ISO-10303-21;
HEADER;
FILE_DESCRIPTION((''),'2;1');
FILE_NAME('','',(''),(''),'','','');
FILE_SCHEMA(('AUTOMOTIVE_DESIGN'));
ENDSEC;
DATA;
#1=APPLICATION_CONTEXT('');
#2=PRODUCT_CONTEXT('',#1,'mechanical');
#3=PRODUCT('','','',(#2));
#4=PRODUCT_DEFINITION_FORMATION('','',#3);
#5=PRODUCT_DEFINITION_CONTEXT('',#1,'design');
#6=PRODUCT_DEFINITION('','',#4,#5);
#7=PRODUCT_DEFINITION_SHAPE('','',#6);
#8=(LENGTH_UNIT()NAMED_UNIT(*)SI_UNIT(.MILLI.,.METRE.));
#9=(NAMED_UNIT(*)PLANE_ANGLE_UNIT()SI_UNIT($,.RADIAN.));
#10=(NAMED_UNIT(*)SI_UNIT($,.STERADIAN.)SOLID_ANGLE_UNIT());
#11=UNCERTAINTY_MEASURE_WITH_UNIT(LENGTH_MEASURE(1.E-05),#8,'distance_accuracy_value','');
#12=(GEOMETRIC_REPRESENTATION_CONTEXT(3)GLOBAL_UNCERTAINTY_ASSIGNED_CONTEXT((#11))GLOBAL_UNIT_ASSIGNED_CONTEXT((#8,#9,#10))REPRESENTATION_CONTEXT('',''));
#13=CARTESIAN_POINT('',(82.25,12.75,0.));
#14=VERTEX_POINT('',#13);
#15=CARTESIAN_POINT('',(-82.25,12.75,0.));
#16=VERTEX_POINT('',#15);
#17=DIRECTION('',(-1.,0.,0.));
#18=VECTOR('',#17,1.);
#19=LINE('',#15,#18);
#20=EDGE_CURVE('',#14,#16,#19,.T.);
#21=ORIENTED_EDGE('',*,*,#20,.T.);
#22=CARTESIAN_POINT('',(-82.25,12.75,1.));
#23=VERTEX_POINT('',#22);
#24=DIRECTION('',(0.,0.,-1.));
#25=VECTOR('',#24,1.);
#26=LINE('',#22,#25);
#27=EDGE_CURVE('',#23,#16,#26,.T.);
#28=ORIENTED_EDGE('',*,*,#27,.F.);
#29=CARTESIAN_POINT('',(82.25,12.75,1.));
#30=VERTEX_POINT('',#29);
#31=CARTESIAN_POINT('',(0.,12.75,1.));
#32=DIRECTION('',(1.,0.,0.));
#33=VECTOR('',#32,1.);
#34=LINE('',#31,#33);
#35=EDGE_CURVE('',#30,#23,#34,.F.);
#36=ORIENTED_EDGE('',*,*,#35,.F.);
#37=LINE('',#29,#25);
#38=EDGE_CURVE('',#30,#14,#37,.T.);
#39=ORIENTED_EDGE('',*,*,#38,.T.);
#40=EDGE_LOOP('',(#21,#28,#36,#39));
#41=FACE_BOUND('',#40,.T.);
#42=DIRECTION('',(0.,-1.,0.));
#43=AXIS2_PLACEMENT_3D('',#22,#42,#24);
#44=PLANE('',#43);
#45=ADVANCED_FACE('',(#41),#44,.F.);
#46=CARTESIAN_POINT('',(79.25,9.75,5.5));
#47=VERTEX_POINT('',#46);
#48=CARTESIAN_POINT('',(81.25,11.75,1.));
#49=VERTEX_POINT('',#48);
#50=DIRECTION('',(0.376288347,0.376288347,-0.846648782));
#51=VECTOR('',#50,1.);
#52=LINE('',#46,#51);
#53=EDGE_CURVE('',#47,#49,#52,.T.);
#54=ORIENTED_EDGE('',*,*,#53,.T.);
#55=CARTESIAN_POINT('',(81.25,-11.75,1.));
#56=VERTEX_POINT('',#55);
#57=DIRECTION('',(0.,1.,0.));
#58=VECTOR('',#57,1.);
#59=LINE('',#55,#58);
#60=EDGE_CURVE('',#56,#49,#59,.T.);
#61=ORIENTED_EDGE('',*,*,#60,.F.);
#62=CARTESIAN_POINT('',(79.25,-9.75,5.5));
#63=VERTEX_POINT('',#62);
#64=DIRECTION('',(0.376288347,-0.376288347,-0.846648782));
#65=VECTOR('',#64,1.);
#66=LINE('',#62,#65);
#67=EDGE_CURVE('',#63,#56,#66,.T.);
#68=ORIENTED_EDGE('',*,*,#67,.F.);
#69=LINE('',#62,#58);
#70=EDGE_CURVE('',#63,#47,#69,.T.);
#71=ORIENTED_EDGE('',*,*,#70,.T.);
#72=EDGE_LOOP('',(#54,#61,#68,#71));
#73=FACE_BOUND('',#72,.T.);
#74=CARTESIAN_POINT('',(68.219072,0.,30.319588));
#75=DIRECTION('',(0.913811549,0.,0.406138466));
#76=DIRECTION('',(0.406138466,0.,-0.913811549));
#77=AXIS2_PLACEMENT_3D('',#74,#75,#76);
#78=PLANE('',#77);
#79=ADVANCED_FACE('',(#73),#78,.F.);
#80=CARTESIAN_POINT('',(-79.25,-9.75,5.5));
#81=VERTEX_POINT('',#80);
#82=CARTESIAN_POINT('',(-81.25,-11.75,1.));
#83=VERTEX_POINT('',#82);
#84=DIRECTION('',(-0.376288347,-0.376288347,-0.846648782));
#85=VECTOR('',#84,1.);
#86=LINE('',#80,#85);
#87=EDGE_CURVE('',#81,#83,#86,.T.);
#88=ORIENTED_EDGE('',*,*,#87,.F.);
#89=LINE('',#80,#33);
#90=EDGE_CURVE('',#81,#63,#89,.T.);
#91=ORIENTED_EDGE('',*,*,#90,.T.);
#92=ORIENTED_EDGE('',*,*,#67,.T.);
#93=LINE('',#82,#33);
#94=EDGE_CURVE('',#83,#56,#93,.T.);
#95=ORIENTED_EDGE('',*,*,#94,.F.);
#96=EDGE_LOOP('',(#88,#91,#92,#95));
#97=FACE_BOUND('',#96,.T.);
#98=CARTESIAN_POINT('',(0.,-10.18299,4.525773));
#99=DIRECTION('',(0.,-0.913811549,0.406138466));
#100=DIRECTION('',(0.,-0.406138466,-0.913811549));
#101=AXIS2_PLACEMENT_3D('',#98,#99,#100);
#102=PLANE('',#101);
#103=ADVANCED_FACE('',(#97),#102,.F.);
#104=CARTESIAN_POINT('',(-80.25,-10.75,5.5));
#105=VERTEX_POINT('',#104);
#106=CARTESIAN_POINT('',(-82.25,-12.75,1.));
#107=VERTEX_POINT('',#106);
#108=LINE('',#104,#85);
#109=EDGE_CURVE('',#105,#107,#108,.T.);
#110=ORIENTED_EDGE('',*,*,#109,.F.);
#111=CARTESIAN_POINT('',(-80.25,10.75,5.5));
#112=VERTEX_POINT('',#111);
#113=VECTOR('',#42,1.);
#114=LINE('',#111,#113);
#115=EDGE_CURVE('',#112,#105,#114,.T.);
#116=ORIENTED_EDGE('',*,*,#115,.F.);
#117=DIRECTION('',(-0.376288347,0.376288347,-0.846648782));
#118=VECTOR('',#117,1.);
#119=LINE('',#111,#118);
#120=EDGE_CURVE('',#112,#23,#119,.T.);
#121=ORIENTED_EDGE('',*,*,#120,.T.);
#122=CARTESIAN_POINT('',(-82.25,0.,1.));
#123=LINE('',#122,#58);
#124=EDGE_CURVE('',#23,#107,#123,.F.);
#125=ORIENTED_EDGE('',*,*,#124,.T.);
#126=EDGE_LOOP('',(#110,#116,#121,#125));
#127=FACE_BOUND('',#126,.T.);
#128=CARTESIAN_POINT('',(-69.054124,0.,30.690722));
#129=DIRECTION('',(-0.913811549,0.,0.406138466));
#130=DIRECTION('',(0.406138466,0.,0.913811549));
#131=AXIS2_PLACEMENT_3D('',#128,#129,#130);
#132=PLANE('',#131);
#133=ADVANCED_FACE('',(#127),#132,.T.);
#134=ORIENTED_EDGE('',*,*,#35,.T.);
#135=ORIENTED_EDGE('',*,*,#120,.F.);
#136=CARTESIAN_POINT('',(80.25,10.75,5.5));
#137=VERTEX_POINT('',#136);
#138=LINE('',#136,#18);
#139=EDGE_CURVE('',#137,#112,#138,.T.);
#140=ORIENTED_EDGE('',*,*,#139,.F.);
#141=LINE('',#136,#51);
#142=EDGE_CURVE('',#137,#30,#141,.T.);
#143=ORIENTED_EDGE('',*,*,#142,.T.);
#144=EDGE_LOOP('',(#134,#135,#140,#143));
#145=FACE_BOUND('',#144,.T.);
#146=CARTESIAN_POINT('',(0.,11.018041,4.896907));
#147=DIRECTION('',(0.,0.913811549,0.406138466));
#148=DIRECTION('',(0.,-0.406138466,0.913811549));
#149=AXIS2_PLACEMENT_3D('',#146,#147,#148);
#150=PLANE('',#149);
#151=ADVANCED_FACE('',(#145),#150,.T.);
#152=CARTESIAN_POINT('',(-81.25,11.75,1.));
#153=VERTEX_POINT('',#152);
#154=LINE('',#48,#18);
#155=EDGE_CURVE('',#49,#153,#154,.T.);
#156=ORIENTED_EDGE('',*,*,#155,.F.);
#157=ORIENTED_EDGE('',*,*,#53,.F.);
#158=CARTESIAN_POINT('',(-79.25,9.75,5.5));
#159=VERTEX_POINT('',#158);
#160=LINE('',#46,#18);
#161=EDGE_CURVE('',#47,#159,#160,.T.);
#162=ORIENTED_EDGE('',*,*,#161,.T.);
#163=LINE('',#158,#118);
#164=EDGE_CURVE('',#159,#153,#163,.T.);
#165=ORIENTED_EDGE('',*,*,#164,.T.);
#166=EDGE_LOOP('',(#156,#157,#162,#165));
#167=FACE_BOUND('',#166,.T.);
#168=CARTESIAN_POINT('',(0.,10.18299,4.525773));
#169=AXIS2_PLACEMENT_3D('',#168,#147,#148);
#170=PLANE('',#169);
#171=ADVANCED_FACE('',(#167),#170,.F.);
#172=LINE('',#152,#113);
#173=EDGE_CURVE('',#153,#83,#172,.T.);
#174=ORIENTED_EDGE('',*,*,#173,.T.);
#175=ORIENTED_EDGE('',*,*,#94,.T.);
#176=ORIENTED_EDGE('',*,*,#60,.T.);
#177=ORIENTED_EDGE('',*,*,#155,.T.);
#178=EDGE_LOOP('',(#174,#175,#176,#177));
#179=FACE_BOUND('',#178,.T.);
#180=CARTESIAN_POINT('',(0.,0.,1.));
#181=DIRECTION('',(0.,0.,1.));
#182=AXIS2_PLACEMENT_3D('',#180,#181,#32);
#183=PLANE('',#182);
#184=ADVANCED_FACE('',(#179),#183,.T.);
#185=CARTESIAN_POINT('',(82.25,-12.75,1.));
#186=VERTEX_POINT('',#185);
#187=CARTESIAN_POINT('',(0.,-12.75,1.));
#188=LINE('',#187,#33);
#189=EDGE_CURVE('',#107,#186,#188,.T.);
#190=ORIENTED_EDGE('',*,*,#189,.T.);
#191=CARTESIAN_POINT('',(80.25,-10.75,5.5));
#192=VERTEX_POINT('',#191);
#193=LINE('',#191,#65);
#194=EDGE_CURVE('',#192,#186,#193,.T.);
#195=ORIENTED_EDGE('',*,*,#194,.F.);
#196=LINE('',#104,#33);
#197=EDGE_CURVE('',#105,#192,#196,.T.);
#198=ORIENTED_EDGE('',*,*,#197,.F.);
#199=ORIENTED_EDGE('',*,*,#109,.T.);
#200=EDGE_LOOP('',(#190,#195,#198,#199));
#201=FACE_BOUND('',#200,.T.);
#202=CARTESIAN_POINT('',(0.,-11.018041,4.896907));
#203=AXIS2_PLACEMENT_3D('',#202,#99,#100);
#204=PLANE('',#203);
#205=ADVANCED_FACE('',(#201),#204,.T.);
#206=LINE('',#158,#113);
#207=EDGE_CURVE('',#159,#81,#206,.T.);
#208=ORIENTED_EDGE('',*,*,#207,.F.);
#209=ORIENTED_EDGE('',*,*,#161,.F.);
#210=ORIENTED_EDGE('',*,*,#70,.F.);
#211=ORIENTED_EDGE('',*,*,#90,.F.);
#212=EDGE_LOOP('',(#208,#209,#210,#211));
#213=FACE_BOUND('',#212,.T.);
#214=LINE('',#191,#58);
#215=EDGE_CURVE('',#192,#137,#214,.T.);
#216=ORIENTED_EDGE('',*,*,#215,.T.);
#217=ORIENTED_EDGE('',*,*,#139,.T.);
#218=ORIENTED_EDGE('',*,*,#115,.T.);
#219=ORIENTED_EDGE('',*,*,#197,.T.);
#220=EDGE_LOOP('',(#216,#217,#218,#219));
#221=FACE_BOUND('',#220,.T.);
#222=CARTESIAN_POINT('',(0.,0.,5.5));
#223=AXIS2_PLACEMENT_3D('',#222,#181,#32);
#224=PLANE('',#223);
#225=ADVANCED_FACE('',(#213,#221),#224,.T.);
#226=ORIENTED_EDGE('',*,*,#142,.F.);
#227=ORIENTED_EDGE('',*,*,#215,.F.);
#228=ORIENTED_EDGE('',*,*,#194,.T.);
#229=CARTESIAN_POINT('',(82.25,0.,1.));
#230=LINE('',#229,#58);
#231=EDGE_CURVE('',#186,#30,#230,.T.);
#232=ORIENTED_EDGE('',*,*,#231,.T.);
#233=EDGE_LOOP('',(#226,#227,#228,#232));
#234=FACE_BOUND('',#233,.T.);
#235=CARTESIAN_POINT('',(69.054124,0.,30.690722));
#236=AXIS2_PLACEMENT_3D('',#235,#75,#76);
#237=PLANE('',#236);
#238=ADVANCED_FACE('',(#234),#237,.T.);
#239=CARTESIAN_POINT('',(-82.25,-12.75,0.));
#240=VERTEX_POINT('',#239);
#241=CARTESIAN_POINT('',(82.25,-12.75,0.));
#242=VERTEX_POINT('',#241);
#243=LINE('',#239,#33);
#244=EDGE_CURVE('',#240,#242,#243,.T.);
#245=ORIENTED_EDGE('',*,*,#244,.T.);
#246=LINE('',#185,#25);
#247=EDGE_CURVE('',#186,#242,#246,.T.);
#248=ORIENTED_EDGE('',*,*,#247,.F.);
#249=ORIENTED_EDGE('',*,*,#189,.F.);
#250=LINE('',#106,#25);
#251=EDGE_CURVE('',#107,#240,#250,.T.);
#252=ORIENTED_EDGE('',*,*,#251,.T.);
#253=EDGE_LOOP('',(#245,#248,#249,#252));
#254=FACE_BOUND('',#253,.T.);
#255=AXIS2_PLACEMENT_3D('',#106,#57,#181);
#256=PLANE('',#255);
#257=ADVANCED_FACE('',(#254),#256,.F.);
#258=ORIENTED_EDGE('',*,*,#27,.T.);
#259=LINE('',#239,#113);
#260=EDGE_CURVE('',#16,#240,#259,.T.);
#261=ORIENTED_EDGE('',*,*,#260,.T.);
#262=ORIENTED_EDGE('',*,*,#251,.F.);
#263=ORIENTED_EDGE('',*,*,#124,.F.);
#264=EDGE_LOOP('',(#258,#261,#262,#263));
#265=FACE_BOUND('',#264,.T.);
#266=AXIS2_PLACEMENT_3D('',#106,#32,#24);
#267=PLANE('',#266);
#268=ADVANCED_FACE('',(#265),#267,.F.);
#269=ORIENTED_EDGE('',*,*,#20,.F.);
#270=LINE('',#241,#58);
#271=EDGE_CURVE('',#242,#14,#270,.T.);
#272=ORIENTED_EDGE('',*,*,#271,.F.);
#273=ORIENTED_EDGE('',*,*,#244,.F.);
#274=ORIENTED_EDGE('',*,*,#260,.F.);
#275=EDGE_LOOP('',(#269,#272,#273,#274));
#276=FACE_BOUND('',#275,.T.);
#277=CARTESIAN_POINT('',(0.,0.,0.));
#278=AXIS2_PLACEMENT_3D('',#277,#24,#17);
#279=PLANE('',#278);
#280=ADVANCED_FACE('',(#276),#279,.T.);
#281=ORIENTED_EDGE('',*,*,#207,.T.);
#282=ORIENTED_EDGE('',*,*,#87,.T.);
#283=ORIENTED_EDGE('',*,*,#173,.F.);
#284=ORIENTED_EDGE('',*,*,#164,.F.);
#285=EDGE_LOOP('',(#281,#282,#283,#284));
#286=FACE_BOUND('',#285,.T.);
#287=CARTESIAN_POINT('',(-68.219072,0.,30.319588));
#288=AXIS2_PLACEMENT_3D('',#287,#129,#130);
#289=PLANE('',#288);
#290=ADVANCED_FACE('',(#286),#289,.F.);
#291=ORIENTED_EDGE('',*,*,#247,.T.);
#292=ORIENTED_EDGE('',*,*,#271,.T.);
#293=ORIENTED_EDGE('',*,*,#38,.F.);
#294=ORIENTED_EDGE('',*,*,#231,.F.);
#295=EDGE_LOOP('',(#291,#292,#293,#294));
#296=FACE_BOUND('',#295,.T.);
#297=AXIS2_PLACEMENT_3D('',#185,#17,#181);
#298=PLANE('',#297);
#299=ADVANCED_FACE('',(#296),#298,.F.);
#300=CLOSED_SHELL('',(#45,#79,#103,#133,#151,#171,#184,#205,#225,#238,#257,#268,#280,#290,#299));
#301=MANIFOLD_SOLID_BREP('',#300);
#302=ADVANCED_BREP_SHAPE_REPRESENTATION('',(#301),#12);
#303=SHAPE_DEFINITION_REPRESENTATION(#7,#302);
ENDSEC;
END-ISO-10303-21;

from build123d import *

# Parameters (mm, degrees)
SZKIC1_W                    = 164.5
SZKIC1_H                    = 25.5
DODANIE_WYCI_GNI_CIE1_DEPTH = 1
SZKIC3_W                    = 160.5
SZKIC3_H                    = 21.5
SZKIC2_W                    = 164.5
SZKIC2_H                    = 25.5
SZKIC3_140_W                = 158.5
SZKIC3_140_H                = 19.5
SZKIC2_152_W                = 162.5
SZKIC2_152_H                = 23.5


with BuildPart() as part:
    # Szkic1 → Dodanie-wyciągnięcie1 (new body)
    with BuildSketch(Plane.XY):
        Rectangle(SZKIC1_W, SZKIC1_H)
    extrude(amount=DODANIE_WYCI_GNI_CIE1_DEPTH)

    # Szkic3 → Wyciągnięcie po profilach2 section 0
    with BuildSketch(Plane.XY.offset(5.5)):
        Rectangle(SZKIC3_W, SZKIC3_H)
    # Szkic2 → Wyciągnięcie po profilach2 section 1
    with BuildSketch(Plane.XY.offset(1)):
        Rectangle(SZKIC2_W, SZKIC2_H)
    loft()

    # Szkic3<140> → Wycięcie-wyciągnięcie po profilach1 section 0
    with BuildSketch(Plane.XY.offset(5.5)):
        Rectangle(SZKIC3_140_W, SZKIC3_140_H)
    # Szkic2<152> → Wycięcie-wyciągnięcie po profilach1 section 1
    with BuildSketch(Plane.XY.offset(1)):
        Rectangle(SZKIC2_152_W, SZKIC2_152_H)
    loft(mode=Mode.SUBTRACT)


solid = part.part
